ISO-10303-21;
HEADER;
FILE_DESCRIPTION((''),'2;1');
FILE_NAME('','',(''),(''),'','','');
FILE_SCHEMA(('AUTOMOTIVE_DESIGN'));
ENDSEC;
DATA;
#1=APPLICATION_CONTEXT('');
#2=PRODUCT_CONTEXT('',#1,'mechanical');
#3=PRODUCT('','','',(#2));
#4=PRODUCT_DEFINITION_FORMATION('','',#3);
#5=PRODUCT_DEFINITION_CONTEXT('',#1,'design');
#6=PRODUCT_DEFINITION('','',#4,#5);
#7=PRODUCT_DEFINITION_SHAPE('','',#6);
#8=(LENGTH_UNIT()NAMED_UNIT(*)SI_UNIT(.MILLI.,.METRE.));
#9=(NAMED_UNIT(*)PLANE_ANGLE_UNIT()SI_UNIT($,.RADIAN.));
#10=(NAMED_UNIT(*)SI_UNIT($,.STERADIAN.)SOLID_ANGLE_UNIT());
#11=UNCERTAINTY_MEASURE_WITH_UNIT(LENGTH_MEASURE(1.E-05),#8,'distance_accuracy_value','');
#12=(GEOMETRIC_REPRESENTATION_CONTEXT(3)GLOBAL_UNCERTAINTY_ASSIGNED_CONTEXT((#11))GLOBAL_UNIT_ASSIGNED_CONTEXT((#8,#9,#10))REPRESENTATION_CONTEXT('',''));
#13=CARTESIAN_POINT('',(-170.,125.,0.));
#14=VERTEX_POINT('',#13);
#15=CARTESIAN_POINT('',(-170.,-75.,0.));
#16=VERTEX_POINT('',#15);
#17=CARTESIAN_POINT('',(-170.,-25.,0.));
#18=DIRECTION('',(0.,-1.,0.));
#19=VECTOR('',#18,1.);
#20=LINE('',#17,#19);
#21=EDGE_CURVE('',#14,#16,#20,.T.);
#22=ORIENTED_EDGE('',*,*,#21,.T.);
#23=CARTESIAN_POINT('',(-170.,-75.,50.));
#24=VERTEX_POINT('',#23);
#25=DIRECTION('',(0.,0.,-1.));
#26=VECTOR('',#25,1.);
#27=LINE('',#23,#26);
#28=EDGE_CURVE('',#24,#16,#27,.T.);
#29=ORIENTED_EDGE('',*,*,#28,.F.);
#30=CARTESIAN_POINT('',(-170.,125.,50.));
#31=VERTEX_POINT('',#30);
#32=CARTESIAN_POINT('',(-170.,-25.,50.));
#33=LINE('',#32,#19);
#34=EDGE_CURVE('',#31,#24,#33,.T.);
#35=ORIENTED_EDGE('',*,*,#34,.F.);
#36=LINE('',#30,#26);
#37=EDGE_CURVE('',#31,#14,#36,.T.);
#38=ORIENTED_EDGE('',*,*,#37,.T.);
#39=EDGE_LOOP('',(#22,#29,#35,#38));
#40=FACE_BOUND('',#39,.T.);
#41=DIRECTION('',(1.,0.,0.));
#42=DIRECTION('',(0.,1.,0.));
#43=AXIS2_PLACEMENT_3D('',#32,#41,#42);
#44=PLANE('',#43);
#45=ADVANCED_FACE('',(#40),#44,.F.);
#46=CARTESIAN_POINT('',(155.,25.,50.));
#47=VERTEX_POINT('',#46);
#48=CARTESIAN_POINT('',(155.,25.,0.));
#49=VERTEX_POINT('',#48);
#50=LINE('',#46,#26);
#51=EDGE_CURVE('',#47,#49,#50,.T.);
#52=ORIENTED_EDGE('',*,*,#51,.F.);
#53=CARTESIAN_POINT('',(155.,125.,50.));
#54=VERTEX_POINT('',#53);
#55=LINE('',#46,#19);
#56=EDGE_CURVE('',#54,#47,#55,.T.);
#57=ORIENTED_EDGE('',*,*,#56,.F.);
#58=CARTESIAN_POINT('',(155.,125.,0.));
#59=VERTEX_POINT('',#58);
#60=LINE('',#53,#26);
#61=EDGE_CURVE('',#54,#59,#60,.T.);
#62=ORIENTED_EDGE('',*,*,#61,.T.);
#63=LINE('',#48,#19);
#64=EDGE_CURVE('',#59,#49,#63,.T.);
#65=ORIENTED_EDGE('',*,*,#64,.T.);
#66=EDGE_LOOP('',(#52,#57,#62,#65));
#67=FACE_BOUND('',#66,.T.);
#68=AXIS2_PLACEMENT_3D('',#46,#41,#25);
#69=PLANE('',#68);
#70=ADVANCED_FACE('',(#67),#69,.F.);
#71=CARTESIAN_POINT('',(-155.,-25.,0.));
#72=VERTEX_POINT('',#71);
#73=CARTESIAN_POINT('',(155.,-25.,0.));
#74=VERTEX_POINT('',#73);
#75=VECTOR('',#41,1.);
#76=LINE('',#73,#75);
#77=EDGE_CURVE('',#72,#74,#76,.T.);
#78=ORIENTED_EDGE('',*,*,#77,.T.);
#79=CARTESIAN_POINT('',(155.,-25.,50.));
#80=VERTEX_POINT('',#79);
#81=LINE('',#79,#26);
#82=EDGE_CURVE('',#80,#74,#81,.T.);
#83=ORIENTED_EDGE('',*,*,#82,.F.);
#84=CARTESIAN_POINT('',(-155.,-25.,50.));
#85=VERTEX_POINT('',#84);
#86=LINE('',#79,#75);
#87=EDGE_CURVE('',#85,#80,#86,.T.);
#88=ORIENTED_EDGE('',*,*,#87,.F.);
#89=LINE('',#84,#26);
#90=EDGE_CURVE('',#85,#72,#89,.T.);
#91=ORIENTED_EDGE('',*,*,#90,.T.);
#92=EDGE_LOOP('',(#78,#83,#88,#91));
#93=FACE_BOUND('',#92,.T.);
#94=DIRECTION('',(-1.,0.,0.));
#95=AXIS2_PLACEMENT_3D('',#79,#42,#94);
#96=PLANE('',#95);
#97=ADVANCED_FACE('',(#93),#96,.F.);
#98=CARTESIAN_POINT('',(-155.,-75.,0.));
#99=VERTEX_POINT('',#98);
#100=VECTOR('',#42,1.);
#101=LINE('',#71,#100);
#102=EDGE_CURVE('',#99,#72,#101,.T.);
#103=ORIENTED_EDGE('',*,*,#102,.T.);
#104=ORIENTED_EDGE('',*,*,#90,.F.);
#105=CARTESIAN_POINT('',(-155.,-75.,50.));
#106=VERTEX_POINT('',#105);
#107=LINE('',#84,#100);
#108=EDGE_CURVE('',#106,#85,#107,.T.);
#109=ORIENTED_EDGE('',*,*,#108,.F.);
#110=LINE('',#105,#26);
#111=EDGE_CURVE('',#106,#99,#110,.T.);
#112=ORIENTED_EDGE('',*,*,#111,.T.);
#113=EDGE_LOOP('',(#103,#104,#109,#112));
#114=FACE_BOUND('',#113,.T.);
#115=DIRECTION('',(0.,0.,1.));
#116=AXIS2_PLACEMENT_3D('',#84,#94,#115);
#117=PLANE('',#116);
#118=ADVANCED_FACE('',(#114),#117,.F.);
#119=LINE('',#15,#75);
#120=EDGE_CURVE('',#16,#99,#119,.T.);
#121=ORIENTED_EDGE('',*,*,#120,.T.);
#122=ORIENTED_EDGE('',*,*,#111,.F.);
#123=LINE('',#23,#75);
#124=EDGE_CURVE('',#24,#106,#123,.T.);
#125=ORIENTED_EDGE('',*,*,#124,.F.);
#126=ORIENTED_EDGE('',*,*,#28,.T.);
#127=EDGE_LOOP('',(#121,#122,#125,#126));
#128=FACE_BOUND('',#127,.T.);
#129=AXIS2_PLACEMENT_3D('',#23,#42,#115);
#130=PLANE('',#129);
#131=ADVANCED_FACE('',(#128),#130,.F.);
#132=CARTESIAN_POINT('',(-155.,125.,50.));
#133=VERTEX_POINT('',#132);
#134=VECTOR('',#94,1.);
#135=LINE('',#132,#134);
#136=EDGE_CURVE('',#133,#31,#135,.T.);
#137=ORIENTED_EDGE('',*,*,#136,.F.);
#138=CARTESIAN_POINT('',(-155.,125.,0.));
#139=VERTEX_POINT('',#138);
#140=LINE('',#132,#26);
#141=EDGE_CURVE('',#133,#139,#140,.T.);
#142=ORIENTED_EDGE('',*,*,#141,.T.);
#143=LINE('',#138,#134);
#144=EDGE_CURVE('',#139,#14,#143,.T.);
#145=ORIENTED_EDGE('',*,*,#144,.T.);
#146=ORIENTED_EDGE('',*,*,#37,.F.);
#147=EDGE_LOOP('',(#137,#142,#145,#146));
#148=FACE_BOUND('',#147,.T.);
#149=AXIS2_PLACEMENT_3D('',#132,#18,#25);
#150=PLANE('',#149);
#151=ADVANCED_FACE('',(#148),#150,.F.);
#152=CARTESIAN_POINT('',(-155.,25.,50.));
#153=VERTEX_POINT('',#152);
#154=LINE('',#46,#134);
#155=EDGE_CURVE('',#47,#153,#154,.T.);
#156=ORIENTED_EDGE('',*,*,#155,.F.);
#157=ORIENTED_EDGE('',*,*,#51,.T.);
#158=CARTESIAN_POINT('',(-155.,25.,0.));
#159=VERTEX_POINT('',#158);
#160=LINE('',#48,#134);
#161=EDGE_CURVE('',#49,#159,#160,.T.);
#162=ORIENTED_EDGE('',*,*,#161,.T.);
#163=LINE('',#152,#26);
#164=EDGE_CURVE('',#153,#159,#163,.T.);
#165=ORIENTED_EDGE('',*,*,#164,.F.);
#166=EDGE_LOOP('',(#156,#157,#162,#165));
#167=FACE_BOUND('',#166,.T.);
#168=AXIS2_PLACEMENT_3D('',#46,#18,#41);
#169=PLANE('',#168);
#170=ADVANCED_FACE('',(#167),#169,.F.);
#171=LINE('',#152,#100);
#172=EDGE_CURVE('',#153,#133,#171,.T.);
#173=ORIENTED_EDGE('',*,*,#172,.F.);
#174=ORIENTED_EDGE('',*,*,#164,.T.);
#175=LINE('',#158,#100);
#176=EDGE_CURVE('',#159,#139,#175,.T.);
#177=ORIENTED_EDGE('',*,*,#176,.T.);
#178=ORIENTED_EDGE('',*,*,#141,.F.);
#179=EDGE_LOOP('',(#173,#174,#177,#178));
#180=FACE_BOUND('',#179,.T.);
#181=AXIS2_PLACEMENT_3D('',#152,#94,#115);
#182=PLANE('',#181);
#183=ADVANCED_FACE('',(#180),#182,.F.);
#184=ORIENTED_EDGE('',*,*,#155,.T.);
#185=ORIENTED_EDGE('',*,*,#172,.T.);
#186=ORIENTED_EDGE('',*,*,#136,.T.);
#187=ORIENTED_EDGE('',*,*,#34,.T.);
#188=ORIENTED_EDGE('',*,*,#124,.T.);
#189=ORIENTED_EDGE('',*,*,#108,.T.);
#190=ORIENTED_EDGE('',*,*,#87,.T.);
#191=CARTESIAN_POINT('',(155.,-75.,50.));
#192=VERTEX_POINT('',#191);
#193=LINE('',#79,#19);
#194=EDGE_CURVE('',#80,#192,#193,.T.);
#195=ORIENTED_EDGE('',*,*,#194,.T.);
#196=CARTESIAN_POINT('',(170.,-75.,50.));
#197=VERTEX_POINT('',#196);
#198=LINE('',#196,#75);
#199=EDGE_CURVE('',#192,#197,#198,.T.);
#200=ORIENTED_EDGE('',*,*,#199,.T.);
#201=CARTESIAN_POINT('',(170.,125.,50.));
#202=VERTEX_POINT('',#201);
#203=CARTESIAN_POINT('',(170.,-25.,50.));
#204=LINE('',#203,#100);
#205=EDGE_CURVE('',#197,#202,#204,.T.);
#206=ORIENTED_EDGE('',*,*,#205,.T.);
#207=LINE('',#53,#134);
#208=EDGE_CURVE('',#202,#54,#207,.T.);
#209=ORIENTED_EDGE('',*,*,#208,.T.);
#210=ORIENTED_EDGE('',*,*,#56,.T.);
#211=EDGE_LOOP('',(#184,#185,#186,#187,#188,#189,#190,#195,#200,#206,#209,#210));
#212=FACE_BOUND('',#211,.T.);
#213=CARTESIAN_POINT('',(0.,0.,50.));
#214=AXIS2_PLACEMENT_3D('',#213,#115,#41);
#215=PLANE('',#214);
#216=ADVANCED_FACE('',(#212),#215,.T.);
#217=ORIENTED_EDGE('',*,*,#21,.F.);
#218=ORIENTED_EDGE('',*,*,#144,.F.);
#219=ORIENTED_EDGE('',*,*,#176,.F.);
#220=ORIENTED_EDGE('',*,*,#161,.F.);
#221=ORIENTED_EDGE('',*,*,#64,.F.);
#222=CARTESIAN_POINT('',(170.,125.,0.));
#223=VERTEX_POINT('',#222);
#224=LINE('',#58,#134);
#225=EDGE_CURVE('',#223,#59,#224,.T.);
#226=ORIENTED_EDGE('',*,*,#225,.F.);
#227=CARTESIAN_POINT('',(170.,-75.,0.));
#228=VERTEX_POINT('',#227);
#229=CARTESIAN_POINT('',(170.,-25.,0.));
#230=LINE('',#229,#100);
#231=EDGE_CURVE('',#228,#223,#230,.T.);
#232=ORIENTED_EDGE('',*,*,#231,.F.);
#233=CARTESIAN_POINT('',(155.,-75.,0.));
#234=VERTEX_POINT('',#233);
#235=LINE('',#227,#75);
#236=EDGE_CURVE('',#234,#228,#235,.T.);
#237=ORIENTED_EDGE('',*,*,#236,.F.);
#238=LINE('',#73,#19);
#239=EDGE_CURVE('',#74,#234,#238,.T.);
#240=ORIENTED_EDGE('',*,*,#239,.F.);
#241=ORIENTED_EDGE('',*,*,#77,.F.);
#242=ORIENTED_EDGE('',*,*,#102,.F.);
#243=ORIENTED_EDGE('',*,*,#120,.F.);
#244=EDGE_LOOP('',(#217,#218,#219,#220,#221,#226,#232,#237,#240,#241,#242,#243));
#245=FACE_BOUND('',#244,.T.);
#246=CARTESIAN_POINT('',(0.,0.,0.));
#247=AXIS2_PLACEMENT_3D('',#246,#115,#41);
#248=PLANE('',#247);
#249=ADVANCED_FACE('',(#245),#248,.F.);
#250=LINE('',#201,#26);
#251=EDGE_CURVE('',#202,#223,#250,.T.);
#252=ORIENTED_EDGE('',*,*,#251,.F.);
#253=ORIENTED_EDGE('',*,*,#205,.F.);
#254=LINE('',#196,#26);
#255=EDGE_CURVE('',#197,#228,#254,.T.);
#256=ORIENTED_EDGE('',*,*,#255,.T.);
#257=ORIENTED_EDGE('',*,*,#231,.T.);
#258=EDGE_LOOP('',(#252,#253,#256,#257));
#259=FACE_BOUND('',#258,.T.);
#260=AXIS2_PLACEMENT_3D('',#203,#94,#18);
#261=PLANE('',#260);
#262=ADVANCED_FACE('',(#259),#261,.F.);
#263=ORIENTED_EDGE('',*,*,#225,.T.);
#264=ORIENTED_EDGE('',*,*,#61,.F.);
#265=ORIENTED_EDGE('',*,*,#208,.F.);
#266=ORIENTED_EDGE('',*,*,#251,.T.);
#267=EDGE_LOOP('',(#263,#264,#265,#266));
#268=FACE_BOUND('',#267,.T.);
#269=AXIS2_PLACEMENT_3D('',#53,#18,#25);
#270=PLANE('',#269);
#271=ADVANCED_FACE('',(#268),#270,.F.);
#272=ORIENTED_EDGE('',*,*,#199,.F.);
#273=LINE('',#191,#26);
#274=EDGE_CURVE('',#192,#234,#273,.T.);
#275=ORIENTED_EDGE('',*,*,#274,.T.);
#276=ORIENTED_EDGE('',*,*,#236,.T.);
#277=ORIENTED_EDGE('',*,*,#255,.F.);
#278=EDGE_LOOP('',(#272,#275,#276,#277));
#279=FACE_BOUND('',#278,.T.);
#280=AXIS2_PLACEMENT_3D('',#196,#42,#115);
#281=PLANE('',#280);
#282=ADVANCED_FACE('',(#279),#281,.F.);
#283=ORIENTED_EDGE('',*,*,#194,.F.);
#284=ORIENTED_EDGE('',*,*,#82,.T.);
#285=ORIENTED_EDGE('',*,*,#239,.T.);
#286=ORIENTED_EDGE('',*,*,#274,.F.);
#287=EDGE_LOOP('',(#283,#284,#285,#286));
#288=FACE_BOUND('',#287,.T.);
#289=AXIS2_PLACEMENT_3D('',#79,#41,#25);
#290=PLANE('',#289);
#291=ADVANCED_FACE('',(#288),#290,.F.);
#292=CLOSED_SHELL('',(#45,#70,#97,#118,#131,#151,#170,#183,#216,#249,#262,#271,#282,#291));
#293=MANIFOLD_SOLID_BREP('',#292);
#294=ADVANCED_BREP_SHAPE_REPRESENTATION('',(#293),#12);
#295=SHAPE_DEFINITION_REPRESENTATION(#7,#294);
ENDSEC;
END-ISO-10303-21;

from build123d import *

# Parameters (mm, degrees)
SALIENTE_EXTRUIR3_DEPTH = 50


with BuildPart() as part:
    # Croquis1 → Saliente-Extruir3 (new body)
    with BuildSketch(Plane.XY):
        Polygon((155, -25), (-155, -25), (-155, -75), (-170, -75), (-170, -25), (-170, 125), (-155, 125), (-155, 25), (155, 25), (155, 125), (170, 125), (170, -25), (170, -75), (155, -75), align=None)
    extrude(amount=SALIENTE_EXTRUIR3_DEPTH)


solid = part.part
